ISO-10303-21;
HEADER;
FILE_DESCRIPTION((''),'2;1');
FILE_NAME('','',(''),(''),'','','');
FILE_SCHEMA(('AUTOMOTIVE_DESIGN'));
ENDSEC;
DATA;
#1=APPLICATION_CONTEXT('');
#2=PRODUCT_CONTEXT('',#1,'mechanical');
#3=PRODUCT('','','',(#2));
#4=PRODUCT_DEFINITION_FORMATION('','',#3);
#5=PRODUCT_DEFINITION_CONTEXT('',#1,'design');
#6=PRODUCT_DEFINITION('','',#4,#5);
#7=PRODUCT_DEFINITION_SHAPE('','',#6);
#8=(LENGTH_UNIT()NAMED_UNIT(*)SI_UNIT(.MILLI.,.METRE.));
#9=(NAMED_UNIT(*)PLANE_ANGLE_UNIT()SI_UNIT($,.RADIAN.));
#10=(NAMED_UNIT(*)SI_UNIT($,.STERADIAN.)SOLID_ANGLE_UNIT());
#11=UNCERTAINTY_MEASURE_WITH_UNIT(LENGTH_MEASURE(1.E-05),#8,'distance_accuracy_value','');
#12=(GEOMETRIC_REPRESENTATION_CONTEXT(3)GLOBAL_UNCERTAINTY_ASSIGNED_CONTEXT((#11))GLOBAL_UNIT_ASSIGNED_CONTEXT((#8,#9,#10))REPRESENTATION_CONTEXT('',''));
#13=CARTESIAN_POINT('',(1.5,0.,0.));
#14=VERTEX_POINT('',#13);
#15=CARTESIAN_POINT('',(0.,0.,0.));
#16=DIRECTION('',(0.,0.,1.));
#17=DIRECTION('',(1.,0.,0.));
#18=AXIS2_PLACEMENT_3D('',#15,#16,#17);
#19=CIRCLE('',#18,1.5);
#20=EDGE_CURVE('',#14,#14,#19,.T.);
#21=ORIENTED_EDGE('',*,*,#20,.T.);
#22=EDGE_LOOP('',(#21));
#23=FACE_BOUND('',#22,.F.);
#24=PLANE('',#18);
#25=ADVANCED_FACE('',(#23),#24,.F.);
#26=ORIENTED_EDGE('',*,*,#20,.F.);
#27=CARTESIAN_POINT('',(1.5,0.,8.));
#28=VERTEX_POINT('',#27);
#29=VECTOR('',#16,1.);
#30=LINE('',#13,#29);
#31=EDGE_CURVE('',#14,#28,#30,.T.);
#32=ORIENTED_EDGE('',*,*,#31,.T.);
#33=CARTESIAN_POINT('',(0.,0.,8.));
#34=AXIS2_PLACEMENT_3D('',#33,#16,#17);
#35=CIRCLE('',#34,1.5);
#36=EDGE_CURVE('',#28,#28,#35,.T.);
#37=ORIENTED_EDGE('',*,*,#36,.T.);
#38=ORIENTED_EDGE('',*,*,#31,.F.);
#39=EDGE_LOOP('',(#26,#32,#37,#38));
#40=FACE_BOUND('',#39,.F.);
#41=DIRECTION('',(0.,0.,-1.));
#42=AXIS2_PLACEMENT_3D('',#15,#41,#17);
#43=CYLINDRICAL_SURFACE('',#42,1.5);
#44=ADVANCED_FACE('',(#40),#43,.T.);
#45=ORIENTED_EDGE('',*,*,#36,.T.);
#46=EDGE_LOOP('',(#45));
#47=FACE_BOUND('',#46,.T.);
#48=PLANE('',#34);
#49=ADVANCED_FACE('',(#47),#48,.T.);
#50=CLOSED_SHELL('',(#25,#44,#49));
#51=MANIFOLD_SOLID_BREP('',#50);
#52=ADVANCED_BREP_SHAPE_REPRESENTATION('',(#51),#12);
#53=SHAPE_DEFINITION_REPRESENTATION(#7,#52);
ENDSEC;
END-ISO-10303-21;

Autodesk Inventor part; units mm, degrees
ref_plane "YZ Plane" through (0, 0, 0) normal (1, 0, 0) x (0, 1, 0)
ref_plane "XZ Plane" through (0, 0, 0) normal (0, 1, 0) x (-1, 0, 0)
ref_plane "XY Plane" through (0, 0, 0) normal (0, 0, 1) x (1, 0, 0)
sketch "Skizze1" plane through (0, 0, 0) normal (0, 0, 1) x (1, 0, 0)
  circle A0 centre (0, 0) radius 1.5
  dimension "d0" = 3
extrude "Extrusion1" add sketch "Skizze1" along normal blind 8
properties part number "3mmSchaft_10mm" material "Edelstahl"
